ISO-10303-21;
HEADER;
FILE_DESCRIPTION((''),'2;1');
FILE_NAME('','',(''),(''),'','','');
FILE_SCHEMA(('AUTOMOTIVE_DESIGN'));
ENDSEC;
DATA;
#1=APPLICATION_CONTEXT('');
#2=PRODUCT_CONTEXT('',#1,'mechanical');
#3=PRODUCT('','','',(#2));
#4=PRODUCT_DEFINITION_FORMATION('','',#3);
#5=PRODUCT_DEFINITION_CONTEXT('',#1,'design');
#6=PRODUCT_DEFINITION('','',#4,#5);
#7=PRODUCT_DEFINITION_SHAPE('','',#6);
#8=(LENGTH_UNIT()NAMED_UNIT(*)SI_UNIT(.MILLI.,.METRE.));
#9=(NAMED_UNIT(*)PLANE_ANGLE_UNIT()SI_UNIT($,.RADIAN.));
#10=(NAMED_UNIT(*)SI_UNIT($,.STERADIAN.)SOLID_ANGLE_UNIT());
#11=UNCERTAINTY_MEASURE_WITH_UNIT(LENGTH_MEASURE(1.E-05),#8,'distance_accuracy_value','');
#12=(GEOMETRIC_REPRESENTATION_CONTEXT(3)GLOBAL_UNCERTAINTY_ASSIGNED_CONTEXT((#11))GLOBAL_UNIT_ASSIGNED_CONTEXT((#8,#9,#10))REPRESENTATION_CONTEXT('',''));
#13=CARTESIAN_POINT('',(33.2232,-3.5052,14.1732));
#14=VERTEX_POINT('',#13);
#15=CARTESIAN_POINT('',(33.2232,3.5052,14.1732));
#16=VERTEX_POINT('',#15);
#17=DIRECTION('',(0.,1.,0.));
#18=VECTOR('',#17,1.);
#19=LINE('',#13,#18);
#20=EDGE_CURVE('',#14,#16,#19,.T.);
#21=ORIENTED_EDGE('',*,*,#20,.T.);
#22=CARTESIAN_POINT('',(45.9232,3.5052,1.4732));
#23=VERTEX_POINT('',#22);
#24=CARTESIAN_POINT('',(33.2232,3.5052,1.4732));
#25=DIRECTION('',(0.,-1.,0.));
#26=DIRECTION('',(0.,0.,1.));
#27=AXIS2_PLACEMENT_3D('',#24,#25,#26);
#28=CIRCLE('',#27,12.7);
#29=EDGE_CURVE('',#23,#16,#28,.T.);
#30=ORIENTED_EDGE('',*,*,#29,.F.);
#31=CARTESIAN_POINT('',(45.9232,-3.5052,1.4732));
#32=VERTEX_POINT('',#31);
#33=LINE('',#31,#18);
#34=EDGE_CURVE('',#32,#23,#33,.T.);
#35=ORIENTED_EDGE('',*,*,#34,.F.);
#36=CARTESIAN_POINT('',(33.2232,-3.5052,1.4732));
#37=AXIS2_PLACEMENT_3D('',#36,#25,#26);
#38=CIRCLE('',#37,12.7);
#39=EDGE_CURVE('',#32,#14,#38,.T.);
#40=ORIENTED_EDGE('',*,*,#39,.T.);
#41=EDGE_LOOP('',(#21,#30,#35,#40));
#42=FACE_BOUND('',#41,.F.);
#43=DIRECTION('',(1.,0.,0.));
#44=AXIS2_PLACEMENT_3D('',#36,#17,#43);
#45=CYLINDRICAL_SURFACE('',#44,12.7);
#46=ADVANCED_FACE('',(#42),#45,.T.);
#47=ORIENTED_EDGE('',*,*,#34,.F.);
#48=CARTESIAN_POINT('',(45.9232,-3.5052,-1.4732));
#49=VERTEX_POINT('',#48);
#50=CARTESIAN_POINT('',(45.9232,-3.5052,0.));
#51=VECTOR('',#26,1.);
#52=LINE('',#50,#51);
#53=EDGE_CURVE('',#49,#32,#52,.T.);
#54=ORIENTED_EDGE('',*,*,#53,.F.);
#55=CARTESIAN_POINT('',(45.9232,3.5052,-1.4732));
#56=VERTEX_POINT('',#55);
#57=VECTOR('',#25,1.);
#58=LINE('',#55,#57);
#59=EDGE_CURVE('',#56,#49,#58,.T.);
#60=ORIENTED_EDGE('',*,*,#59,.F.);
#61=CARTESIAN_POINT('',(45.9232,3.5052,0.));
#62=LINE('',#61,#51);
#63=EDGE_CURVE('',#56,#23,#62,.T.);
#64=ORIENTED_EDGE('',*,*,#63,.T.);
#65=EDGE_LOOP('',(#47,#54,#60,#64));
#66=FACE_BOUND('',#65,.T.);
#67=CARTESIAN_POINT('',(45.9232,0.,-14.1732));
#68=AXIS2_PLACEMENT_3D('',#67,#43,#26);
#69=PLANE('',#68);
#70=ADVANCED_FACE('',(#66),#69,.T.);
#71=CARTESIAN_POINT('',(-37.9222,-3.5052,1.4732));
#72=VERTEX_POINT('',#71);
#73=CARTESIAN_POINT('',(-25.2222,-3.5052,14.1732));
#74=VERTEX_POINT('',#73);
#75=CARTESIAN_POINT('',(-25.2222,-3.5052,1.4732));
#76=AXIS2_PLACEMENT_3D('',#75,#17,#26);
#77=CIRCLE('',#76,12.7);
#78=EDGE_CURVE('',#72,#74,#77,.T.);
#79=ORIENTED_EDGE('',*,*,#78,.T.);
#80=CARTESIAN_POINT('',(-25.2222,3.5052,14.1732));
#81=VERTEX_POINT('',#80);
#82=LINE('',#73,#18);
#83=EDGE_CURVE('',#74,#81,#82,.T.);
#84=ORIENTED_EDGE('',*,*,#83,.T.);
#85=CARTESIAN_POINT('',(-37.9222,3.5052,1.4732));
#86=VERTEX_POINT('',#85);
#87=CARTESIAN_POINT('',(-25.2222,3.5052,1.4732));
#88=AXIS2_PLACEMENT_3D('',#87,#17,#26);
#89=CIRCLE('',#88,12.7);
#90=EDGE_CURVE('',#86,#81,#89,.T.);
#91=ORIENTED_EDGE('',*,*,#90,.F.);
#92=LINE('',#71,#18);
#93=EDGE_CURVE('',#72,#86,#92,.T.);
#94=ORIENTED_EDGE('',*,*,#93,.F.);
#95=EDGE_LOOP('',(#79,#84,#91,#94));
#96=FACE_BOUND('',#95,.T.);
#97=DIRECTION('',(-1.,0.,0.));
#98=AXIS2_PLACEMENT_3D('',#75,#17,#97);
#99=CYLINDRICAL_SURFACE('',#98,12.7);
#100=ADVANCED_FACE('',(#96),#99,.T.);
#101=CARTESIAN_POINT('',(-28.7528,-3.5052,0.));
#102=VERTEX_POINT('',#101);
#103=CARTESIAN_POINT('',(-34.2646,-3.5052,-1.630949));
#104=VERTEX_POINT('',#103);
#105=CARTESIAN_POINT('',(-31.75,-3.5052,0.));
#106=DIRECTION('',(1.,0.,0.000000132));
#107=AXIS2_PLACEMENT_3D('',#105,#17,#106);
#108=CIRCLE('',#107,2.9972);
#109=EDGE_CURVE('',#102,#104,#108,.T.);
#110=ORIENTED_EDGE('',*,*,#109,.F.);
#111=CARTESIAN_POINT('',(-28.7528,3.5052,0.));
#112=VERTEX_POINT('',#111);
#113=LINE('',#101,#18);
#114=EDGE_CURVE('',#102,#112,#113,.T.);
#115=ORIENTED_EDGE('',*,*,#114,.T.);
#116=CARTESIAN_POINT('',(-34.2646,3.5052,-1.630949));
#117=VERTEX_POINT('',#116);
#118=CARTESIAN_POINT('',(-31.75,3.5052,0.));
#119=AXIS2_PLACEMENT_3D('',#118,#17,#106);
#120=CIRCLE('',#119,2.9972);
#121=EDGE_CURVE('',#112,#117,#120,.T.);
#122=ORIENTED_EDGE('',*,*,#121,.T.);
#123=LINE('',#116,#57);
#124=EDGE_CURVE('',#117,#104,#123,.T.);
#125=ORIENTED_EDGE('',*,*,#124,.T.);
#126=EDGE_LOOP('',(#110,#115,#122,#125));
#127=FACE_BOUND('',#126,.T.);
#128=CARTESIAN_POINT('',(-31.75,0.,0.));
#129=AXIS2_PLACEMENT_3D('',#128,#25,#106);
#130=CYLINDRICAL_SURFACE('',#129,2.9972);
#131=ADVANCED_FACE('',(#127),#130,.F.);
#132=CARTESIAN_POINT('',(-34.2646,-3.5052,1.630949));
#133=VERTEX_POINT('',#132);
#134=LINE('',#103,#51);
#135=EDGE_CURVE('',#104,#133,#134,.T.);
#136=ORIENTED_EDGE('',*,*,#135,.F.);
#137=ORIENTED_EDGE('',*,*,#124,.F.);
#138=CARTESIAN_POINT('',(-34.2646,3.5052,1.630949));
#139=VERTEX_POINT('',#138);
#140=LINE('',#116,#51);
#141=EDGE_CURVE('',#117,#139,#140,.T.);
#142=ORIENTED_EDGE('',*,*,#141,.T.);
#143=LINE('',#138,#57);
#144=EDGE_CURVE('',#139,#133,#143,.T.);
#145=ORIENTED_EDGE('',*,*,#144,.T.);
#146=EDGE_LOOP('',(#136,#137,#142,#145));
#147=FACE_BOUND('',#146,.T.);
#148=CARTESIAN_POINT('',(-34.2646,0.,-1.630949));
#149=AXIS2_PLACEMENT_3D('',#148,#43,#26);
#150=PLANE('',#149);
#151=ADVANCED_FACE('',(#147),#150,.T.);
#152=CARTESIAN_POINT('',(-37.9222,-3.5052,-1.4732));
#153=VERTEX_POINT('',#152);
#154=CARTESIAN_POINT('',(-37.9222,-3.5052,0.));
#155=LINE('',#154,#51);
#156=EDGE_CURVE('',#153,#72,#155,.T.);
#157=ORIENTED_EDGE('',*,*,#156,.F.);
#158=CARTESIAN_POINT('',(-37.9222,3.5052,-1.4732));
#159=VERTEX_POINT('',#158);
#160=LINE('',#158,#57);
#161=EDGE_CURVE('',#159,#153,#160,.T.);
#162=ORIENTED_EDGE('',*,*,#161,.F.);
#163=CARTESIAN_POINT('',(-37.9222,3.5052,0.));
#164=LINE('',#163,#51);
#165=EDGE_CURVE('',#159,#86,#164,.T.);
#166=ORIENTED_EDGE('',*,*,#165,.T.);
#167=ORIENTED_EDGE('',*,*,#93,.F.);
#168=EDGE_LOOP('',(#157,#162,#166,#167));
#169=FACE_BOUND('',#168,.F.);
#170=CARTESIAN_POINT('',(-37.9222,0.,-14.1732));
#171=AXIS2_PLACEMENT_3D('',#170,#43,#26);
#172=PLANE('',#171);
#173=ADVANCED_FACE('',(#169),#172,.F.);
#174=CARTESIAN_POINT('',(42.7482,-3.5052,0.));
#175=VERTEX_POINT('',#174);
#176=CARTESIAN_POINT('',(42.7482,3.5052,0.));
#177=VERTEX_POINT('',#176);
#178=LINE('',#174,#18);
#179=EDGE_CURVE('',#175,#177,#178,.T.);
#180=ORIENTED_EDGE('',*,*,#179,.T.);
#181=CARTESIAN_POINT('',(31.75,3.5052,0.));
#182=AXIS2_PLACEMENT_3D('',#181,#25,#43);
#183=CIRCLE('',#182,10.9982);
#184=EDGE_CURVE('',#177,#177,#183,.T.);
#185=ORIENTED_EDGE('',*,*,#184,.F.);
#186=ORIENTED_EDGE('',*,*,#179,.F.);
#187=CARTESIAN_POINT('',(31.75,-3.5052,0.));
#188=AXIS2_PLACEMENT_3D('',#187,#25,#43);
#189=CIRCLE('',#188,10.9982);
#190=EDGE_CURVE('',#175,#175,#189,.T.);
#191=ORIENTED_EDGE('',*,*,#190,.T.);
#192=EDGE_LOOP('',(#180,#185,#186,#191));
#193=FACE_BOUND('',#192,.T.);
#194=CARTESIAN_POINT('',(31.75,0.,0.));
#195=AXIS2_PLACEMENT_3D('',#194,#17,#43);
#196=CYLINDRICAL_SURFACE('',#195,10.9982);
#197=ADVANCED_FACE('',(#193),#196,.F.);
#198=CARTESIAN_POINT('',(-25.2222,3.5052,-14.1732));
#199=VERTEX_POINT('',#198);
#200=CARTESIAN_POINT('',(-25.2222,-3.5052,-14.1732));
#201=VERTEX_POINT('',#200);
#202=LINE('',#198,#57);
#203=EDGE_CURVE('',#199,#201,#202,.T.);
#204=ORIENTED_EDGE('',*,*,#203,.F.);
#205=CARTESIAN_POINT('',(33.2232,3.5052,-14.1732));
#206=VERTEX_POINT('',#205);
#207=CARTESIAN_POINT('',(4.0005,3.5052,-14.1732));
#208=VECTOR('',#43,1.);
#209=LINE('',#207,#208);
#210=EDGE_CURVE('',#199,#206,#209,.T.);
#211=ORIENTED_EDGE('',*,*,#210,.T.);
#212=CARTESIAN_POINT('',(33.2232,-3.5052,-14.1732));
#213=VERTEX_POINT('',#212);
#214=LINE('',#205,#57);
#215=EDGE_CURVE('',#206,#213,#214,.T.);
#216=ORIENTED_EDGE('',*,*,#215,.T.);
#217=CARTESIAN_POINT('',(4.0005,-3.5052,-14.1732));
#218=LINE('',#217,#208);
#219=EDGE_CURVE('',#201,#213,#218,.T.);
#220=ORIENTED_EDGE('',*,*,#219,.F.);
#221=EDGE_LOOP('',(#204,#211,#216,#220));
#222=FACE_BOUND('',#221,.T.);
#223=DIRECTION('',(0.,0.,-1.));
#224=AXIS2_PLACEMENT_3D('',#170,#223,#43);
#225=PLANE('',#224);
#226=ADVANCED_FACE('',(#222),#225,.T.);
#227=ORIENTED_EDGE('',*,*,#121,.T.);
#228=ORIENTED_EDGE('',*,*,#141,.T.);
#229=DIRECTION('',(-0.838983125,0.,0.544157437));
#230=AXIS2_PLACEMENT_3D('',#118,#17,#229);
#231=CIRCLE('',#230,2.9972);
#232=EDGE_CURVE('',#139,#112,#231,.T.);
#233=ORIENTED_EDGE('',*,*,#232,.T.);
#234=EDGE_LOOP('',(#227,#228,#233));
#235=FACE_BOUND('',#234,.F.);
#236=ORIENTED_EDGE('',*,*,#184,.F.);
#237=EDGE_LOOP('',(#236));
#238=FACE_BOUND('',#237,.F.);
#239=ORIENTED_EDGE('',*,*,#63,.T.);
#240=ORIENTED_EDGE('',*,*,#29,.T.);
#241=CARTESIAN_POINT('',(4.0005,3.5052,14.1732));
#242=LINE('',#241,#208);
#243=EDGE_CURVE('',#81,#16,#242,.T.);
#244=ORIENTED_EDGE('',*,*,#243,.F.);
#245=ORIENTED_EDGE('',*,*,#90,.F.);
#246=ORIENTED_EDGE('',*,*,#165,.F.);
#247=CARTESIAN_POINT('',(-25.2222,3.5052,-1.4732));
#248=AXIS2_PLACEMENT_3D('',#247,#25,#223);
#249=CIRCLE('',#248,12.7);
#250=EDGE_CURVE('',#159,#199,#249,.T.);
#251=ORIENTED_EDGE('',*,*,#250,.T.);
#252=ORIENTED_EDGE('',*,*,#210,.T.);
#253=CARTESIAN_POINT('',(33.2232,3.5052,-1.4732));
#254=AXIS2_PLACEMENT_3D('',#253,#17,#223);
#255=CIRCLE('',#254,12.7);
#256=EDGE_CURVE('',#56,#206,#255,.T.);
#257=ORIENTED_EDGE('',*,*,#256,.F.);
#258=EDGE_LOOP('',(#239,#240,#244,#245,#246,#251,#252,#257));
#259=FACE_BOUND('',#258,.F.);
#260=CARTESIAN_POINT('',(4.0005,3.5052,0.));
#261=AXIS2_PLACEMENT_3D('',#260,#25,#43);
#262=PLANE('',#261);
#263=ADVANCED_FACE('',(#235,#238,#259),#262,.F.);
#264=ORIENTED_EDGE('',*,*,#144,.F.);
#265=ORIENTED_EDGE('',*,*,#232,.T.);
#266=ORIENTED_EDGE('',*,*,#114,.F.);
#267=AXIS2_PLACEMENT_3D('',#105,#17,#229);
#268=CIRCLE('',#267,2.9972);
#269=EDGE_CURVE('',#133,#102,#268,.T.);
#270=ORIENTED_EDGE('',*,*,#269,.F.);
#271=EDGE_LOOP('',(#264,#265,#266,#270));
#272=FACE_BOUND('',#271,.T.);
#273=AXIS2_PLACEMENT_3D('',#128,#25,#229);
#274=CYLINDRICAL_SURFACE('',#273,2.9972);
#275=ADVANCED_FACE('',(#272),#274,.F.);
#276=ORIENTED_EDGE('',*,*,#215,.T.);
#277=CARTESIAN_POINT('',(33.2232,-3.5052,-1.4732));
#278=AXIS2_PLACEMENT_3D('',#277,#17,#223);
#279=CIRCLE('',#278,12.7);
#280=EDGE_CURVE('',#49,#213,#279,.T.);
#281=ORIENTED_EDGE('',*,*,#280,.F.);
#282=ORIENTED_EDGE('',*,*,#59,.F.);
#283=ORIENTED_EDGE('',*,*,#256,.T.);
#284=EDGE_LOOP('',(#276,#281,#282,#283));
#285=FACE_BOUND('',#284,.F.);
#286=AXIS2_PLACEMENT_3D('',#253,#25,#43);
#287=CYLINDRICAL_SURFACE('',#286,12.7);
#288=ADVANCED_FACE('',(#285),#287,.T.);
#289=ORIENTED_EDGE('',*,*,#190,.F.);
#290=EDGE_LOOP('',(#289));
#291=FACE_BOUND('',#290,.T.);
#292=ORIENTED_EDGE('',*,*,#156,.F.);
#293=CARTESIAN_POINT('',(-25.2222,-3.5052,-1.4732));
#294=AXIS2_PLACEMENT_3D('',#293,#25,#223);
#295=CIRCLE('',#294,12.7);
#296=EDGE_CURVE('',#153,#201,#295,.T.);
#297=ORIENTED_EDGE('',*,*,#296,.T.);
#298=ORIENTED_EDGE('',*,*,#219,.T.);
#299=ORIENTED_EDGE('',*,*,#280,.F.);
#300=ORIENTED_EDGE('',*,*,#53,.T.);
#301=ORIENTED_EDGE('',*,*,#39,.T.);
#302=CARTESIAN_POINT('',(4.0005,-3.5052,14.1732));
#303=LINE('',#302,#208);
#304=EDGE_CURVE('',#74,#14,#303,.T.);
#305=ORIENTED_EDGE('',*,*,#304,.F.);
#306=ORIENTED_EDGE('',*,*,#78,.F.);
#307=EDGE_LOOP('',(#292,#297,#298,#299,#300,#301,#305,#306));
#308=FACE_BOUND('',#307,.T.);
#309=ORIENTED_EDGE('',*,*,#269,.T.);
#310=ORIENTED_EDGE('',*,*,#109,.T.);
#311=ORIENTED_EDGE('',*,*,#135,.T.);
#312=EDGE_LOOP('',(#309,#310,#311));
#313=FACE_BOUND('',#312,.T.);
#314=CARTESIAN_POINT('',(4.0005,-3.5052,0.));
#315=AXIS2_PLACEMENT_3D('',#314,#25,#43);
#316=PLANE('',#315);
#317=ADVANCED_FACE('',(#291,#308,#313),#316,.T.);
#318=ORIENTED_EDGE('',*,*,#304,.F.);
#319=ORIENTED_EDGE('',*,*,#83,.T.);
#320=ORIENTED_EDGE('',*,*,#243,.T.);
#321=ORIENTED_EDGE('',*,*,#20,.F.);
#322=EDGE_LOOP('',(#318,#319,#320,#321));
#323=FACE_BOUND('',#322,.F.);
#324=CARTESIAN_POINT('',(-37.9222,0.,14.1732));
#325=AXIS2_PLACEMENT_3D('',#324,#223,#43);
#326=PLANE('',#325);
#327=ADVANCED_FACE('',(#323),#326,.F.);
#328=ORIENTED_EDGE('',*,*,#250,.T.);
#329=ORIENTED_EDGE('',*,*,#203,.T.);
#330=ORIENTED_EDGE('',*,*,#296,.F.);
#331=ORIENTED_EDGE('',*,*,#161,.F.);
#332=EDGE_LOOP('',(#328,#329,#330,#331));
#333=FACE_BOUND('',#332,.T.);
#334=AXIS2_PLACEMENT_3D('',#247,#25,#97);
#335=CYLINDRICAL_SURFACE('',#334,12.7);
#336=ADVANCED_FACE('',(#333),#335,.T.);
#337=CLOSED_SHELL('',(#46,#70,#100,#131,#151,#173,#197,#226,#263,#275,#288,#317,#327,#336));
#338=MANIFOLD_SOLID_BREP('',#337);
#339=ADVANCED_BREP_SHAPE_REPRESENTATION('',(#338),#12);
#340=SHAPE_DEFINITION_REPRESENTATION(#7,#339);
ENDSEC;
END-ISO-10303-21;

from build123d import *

# Parameters (mm, degrees)
F0_W     = 83.8454
F0_H     = 28.3464
F0_R     = 10.9982
F1_DEPTH = 3.5052
F2_R     = 12.7


with BuildPart() as f1:
    # F0 (on Front) → F1 (new body, symmetric)
    with BuildSketch(Plane.XZ):
        with Locations((4.0005, 0)):
            Rectangle(F0_W, F0_H)
        with BuildLine():
            ThreePointArc((-34.2646, 1.630949), (-30.899574, 2.874019), (-28.7528, 0))
            ThreePointArc((-28.7528, 0), (-30.899574, -2.874019), (-34.2646, -1.630949))
            ThreePointArc((-34.2646, -1.630949), (-34.7472, 0), (-34.2646, 1.630949))
        make_face(mode=Mode.SUBTRACT)
        with Locations((31.75, 0)):
            Circle(F0_R, mode=Mode.SUBTRACT)
        with BuildLine():
            Line((-34.2646, -1.630949), (-34.2646, 1.630949))
            ThreePointArc((-34.2646, 1.630949), (-34.7472, 0), (-34.2646, -1.630949))
        make_face()
    extrude(amount=F1_DEPTH, both=True)

    # F2
    f2_edges = [f1.edges().sort_by_distance(p)[0] for p in [
        (-37.9222, 0, 14.1732),
        (-37.9222, 0, -14.1732),
        (45.9232, 0, 14.1732),
        (45.9232, 0, -14.1732),
    ]]
    fillet(f2_edges, radius=F2_R)


solid = f1.part
